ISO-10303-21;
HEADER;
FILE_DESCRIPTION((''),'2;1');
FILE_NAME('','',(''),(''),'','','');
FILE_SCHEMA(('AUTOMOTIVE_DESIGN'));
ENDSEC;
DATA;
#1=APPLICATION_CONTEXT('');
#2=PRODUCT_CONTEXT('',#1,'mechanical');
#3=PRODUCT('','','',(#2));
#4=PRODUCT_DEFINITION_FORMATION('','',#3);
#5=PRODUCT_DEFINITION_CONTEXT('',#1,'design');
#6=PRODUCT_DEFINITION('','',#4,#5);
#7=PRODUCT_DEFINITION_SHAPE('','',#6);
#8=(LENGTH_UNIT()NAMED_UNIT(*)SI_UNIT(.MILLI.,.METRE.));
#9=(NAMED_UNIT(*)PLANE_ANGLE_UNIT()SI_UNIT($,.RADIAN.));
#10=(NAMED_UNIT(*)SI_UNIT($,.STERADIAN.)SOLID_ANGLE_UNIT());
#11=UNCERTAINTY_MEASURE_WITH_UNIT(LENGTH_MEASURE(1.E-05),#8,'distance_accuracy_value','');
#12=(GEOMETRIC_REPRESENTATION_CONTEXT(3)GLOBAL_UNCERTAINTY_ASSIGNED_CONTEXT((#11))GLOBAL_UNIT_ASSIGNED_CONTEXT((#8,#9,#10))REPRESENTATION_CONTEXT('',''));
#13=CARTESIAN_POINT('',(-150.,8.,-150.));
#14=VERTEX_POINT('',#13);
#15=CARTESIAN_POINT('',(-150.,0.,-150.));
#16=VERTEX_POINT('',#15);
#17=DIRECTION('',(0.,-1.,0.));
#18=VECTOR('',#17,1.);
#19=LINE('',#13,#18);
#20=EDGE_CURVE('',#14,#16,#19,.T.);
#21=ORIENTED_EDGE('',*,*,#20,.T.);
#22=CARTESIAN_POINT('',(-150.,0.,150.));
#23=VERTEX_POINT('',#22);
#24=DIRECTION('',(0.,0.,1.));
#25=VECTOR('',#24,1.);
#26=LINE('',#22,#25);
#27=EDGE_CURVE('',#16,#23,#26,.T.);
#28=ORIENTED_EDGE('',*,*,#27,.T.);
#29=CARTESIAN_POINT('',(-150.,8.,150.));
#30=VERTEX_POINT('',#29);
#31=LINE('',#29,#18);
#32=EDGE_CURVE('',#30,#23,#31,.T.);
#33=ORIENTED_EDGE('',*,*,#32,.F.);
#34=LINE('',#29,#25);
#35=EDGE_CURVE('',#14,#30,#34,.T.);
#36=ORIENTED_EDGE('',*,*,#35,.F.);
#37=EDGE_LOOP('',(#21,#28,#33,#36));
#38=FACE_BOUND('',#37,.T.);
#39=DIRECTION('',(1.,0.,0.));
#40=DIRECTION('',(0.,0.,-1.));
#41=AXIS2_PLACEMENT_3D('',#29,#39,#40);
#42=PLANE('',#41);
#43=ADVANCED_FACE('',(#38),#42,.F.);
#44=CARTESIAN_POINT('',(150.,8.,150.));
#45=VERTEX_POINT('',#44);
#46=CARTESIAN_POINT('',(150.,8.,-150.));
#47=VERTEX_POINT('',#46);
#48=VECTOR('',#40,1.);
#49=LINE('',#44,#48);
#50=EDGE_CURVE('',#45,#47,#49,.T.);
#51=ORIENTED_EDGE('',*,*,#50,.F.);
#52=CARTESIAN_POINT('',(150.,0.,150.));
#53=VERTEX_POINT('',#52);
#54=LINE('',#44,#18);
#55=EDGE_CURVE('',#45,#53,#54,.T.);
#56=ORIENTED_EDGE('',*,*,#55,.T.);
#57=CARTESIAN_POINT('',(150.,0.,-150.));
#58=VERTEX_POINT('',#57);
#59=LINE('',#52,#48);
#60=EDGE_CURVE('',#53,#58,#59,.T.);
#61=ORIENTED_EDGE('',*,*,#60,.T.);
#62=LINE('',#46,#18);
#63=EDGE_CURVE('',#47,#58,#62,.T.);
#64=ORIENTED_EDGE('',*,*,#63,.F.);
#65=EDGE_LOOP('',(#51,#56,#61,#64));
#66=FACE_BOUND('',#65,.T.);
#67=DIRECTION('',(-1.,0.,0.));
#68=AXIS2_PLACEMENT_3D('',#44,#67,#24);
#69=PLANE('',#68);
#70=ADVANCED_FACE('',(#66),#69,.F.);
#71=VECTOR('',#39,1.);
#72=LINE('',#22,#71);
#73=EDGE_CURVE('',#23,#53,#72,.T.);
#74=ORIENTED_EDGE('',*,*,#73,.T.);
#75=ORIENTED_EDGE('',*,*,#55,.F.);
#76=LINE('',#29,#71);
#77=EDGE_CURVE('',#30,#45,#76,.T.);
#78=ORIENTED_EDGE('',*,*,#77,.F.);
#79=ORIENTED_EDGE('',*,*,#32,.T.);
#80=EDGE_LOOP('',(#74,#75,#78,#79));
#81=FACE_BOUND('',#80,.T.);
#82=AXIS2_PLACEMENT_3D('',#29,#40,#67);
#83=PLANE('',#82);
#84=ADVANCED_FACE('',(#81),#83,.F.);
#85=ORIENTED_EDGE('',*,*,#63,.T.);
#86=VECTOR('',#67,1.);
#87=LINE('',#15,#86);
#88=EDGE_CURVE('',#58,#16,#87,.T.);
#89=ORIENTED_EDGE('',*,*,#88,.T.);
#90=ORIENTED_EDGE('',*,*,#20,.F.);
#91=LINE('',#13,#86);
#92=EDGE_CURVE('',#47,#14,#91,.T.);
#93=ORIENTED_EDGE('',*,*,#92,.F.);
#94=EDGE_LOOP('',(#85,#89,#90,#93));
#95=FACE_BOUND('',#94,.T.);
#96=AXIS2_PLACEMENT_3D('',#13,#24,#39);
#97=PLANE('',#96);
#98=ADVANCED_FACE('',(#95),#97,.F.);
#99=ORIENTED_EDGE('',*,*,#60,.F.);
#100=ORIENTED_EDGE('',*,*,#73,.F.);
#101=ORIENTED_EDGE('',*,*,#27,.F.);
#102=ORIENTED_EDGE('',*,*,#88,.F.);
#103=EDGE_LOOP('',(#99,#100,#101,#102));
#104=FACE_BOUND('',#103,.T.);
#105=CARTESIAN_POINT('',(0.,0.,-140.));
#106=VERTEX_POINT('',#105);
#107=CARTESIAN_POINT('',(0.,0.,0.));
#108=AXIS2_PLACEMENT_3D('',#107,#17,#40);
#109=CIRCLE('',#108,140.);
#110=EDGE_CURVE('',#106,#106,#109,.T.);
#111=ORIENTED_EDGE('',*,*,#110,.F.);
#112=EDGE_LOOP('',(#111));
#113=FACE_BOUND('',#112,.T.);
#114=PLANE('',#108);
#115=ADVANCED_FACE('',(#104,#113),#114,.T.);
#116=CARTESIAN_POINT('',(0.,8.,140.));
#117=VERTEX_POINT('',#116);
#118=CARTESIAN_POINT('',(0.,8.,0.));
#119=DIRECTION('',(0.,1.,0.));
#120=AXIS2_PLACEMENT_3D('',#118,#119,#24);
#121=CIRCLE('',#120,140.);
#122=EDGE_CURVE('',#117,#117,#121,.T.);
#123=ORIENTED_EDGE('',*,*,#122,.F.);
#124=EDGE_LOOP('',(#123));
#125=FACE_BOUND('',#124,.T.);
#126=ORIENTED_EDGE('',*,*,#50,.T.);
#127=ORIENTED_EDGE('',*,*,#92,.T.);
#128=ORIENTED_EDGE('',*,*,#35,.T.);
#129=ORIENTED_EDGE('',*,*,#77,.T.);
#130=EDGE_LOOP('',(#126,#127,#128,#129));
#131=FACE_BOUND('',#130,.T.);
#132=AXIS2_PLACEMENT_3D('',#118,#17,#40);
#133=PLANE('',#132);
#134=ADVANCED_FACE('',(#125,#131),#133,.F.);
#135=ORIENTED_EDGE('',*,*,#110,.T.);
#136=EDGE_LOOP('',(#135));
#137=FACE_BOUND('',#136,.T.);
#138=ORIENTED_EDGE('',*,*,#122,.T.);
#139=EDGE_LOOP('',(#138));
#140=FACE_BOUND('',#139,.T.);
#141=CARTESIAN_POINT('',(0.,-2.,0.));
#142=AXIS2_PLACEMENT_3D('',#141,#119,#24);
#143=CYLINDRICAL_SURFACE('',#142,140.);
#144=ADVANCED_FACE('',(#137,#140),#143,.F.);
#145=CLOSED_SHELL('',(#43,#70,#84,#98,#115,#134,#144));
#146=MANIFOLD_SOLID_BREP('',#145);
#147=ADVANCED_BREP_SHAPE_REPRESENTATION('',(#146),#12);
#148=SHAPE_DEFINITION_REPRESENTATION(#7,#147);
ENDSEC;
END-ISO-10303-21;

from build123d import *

# Parameters (mm, degrees)
SKETCH1_W           = 300
SKETCH1_H           = 300
BOSS_EXTRUDE1_DEPTH = 8
SKETCH2_R           = 140
CUT_EXTRUDE1_DEPTH  = 10


with BuildPart() as part:
    # Sketch1 → Boss-Extrude1 (new body)
    with BuildSketch(Plane(origin=(0, 0, 0), x_dir=(1, 0, 0), z_dir=(0, 1, 0))):
        Rectangle(SKETCH1_W, SKETCH1_H)
    extrude(amount=BOSS_EXTRUDE1_DEPTH)

    # Sketch2 → Cut-Extrude1 (cut)
    with BuildSketch(Plane(origin=(0, 8, 0), x_dir=(1, 0, 0), z_dir=(0, 1, 0))):
        with Locations(Location((0, 0, 0), (0, 0, 270))):
            Circle(SKETCH2_R)
    extrude(amount=-CUT_EXTRUDE1_DEPTH, mode=Mode.SUBTRACT)


solid = part.part
